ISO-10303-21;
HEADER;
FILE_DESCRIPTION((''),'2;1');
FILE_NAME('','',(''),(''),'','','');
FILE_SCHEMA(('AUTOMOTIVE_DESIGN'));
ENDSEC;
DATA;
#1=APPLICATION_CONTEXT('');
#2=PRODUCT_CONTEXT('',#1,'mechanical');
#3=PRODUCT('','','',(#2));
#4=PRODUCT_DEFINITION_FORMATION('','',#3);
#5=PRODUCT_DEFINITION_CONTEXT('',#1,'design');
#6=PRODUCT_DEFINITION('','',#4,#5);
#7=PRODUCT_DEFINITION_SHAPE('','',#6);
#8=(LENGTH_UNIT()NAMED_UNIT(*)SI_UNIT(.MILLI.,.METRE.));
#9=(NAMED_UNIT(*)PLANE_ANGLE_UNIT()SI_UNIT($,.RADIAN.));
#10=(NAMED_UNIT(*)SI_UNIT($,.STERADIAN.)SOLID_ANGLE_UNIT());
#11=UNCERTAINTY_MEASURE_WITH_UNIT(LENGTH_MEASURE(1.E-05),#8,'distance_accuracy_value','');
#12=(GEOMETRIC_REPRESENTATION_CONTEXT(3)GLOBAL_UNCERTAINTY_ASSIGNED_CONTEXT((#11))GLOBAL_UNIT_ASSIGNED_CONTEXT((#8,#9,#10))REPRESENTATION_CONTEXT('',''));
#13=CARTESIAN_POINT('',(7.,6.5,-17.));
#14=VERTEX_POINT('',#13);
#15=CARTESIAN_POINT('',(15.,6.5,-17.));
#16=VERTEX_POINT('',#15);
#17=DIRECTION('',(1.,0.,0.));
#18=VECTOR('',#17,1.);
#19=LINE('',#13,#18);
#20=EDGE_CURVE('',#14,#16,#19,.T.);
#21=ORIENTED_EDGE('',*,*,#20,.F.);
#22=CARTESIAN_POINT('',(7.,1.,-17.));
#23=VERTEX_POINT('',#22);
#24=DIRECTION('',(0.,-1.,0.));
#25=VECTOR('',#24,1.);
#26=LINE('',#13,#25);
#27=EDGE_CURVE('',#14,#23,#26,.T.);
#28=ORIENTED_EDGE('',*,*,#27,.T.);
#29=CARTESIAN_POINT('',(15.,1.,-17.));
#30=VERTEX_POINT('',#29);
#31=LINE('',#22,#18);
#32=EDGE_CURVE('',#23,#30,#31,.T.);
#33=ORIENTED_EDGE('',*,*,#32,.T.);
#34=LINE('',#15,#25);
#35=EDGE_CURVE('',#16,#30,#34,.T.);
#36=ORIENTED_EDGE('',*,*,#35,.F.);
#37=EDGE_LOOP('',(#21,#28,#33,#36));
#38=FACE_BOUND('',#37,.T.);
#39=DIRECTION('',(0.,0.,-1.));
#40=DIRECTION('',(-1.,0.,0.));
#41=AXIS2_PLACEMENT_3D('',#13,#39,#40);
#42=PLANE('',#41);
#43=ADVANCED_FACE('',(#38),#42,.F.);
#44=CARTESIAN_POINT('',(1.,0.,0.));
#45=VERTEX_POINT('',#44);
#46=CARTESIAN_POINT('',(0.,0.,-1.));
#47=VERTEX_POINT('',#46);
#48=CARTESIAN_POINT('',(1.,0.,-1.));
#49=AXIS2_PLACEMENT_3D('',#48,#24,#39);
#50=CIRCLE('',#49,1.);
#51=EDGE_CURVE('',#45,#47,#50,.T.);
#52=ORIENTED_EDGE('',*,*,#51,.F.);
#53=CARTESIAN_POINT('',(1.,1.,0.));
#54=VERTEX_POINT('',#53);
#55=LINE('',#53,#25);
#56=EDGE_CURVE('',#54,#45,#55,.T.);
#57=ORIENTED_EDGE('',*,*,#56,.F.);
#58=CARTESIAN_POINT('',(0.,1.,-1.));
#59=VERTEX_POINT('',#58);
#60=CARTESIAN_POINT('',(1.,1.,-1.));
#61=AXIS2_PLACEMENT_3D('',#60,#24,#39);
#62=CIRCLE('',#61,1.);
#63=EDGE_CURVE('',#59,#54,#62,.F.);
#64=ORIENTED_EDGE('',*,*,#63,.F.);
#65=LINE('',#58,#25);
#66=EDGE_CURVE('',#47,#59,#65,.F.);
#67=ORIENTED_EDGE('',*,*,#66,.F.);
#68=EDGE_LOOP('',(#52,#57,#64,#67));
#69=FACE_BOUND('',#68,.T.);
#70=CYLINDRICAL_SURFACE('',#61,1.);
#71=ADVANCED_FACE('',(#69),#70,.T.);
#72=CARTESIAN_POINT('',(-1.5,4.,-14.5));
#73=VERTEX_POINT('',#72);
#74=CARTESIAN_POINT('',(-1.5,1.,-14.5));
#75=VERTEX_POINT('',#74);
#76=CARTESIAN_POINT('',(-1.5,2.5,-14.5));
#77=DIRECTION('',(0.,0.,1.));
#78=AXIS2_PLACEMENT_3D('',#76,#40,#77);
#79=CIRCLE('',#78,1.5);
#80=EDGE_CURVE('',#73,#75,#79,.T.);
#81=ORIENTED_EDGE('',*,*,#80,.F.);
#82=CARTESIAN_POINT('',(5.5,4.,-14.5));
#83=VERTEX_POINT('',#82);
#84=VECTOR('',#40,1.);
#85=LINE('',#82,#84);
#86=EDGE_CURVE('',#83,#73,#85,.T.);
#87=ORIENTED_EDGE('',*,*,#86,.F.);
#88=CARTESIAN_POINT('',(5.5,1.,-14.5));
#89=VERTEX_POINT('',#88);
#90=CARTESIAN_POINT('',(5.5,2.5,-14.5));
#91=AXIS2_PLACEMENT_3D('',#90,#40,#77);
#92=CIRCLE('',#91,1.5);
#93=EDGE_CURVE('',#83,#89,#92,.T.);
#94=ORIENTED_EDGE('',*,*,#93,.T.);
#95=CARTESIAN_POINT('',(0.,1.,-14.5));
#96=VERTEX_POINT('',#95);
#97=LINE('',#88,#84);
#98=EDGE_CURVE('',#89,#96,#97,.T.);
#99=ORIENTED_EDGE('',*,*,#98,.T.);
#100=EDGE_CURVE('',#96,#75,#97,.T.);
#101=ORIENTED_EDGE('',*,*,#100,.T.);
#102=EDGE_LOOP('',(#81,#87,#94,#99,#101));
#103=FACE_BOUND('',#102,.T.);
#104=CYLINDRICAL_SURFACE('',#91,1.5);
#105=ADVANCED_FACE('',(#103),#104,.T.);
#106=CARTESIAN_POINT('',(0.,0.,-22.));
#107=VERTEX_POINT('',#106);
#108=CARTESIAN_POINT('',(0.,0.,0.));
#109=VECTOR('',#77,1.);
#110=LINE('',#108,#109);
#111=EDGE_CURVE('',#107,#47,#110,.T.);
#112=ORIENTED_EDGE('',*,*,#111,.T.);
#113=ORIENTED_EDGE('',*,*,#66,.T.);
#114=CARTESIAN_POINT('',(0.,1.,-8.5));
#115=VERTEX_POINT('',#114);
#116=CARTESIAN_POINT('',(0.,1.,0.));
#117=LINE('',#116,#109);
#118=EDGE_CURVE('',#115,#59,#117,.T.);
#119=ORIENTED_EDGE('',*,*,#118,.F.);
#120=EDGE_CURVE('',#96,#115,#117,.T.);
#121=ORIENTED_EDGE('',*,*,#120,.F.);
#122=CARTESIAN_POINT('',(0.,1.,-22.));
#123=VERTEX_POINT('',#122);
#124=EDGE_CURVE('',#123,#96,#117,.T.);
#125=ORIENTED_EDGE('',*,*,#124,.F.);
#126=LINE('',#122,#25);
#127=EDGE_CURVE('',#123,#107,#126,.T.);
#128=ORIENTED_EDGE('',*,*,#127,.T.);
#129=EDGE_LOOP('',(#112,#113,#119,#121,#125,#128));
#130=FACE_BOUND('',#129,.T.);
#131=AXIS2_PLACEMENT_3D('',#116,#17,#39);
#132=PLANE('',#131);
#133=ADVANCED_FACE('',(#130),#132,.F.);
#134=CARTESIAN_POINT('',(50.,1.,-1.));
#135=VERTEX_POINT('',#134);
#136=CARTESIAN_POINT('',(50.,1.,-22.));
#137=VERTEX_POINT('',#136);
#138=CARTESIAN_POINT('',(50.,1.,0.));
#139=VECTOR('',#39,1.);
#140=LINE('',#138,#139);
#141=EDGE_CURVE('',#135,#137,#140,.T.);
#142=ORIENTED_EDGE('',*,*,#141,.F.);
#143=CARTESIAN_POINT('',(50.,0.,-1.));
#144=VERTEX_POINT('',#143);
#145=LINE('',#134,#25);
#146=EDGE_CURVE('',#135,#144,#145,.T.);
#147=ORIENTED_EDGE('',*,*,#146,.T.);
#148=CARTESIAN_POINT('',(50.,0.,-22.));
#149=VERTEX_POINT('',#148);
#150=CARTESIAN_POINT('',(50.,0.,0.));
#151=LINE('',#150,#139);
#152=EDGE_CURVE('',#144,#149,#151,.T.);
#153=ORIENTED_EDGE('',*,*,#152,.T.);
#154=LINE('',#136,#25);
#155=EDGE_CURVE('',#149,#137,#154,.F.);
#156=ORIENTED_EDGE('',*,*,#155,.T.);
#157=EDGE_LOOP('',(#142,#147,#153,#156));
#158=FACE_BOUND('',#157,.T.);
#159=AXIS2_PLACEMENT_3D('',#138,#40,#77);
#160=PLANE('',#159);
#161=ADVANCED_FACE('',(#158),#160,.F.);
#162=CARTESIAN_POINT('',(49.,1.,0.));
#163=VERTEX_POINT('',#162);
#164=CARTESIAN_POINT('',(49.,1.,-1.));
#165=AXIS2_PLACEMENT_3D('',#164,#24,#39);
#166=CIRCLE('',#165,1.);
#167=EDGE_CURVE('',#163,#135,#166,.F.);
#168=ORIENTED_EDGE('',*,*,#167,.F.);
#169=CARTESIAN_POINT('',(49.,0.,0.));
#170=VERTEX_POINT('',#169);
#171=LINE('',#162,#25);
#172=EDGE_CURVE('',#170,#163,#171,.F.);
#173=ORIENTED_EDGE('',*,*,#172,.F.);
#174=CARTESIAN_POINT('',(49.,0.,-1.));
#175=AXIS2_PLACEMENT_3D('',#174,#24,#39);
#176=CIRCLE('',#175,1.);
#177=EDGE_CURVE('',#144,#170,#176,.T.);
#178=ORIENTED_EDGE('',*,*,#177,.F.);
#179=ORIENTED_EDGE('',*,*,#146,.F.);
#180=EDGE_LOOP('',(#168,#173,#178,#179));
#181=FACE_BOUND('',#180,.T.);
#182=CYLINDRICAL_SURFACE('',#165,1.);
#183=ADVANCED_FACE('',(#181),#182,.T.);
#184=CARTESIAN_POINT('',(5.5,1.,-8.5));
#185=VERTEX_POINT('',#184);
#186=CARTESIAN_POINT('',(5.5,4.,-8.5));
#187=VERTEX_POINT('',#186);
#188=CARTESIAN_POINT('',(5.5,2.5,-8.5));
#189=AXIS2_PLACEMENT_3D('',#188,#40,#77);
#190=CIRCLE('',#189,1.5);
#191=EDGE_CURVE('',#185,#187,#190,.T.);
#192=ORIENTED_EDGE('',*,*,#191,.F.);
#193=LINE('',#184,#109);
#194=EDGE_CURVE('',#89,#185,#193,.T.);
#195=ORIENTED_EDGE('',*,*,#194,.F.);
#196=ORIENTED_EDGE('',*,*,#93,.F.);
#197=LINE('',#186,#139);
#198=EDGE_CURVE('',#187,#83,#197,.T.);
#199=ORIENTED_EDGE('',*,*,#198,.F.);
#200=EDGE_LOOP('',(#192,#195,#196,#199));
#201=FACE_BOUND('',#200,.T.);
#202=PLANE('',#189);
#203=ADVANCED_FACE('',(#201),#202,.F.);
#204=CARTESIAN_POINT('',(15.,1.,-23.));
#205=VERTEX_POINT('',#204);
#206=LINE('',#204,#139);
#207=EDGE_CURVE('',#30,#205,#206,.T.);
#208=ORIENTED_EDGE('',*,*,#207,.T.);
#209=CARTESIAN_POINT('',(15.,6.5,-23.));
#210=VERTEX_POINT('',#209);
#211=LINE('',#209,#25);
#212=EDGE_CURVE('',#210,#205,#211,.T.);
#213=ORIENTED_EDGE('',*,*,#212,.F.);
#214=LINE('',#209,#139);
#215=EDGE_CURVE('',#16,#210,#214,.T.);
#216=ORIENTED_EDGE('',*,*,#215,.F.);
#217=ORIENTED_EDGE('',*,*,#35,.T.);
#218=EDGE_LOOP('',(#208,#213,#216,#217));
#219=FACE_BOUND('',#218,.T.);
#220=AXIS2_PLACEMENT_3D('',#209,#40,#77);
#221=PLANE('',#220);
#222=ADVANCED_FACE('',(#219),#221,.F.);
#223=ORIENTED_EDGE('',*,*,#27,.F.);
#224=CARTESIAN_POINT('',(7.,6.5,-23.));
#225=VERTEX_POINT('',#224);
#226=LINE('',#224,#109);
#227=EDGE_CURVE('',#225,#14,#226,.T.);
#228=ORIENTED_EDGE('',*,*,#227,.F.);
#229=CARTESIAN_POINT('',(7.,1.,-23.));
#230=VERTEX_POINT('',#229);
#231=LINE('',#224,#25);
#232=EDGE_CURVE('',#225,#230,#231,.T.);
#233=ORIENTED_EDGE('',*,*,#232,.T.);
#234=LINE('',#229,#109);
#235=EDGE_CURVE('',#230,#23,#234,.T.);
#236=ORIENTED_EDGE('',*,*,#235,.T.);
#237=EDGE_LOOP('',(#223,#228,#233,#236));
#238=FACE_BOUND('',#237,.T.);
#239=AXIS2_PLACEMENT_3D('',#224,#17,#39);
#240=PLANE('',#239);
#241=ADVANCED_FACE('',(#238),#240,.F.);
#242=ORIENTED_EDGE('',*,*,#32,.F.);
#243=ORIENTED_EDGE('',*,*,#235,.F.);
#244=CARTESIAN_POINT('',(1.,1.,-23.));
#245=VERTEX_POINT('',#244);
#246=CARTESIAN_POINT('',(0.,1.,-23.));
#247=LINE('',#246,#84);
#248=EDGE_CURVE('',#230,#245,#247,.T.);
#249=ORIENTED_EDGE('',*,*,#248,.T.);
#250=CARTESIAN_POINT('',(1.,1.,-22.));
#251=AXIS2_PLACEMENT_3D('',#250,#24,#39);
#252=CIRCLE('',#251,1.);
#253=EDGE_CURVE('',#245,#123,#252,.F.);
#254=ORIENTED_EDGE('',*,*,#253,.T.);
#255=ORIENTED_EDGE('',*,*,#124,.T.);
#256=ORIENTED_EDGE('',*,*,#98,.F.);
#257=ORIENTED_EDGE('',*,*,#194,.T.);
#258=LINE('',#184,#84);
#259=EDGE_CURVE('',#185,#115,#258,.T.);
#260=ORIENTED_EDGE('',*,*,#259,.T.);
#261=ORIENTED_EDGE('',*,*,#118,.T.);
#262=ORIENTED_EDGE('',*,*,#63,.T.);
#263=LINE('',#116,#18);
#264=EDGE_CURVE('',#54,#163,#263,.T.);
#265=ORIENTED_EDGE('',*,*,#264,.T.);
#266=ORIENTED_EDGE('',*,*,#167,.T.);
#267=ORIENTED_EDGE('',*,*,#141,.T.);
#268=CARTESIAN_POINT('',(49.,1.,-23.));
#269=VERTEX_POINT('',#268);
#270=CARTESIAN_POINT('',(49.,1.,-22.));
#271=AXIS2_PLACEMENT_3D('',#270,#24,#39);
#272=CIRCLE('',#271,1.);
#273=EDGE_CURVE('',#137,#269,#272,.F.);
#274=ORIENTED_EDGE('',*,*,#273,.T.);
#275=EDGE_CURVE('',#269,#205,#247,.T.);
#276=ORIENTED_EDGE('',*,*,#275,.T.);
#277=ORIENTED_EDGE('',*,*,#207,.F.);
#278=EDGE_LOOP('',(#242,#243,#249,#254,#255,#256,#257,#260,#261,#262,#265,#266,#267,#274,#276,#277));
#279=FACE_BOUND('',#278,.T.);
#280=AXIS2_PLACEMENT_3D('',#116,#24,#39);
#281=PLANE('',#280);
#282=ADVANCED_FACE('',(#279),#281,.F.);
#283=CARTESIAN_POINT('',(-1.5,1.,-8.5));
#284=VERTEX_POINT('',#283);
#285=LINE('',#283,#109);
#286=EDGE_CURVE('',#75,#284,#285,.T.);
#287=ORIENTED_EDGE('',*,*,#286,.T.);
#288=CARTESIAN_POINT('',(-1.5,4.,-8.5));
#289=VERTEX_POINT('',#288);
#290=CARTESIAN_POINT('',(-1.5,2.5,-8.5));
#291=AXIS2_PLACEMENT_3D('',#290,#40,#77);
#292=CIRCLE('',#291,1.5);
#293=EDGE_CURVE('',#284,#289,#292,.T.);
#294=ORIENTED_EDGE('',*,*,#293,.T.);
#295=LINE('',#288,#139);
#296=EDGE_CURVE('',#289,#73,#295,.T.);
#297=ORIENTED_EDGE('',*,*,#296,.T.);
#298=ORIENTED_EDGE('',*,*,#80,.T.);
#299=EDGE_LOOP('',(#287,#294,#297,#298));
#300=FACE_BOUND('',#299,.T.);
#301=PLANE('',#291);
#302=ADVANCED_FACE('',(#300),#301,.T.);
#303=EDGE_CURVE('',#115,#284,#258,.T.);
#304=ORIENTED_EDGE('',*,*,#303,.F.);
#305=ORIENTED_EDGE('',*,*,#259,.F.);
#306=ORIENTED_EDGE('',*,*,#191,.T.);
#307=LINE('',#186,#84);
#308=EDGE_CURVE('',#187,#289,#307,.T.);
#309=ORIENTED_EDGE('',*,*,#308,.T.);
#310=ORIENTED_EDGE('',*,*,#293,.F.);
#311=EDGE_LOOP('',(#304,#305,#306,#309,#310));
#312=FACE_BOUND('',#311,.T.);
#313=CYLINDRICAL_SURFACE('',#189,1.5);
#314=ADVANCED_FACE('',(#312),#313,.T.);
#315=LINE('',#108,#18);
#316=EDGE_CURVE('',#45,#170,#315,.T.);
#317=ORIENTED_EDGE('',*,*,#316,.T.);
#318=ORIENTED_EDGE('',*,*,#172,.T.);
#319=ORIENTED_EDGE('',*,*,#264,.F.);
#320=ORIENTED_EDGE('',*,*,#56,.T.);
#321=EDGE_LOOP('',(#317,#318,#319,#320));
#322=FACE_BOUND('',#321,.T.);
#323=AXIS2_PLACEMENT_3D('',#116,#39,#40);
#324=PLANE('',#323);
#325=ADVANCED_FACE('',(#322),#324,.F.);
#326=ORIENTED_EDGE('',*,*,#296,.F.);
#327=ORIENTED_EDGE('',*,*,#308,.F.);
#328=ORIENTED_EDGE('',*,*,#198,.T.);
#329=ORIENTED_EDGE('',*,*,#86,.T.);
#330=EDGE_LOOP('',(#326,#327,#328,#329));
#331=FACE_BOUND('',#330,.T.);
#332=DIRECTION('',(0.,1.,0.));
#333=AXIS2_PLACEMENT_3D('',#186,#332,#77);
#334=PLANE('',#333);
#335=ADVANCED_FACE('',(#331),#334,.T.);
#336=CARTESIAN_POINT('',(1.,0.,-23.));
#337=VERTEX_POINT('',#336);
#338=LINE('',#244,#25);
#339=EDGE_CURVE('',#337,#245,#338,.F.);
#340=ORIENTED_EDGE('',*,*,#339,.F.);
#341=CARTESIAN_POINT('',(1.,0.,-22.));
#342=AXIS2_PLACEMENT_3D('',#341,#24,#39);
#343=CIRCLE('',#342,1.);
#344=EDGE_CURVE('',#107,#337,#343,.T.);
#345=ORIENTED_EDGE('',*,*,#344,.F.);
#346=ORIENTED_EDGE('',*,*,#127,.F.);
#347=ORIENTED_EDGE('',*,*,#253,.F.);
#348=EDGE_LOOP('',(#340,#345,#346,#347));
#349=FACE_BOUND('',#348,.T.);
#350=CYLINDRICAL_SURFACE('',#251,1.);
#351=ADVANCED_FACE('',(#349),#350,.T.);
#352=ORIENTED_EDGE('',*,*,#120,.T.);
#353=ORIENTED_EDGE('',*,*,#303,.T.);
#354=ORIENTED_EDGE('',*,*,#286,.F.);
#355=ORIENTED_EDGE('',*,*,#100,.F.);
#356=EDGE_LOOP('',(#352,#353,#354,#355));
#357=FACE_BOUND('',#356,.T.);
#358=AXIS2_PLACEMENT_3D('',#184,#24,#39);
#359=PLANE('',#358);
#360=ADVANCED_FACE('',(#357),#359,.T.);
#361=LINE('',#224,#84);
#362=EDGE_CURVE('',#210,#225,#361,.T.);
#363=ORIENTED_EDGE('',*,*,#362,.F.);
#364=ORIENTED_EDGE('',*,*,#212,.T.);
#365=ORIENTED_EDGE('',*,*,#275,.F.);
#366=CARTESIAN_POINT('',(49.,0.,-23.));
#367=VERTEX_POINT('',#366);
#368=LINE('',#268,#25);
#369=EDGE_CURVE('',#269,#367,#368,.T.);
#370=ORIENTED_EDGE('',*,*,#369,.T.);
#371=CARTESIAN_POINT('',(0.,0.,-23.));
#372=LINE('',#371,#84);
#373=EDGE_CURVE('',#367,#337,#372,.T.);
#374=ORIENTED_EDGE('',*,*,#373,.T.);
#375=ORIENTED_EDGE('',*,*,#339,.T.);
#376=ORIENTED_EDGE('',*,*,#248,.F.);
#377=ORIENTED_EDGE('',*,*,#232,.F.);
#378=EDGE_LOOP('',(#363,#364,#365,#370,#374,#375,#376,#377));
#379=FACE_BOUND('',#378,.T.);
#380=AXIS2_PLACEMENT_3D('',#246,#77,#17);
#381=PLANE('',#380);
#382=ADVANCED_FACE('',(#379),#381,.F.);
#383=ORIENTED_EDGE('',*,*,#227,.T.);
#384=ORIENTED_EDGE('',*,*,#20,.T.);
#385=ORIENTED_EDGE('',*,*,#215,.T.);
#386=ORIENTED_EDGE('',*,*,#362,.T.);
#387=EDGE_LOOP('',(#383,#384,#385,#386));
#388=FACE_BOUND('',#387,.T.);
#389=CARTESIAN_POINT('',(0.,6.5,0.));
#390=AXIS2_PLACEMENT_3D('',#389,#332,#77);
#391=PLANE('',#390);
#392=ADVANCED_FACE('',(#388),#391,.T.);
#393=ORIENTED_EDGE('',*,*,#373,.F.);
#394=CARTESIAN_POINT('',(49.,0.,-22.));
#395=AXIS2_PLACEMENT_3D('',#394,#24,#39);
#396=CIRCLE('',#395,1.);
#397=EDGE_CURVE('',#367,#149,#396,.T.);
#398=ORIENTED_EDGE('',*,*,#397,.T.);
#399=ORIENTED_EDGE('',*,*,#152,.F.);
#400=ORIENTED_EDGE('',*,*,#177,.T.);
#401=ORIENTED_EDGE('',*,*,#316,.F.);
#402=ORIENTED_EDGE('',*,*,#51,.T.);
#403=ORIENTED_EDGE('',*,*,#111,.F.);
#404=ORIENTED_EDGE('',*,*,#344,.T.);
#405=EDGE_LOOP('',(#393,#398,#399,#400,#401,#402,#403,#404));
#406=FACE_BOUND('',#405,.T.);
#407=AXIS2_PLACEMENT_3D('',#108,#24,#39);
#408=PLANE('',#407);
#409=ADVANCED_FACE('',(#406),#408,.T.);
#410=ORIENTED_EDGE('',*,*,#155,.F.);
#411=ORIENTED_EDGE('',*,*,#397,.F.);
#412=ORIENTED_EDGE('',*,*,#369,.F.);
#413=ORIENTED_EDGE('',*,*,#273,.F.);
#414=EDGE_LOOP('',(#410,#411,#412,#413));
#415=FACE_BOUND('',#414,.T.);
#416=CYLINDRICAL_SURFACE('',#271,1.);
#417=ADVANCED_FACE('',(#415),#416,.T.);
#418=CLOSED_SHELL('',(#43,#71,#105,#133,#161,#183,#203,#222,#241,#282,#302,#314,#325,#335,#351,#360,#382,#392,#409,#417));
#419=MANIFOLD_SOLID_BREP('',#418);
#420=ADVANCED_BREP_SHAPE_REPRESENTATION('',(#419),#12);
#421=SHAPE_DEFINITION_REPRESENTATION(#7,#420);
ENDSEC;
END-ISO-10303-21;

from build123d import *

# Parameters (mm, degrees)
SKETCH1_W                = 50
SKETCH1_H                = 23
BOSS_EXTRUDE1_DEPTH      = 1
FILLET1_R                = 1
BOSS_EXTRUDE2_DEPTH      = 1.5
BOSS_EXTRUDE2_DEPTH_BACK = 5.5
SKETCH3_W                = 8
SKETCH3_H                = 6
BOSS_EXTRUDE3_DEPTH      = 5.5


with BuildPart() as part:
    # Sketch1 → Boss-Extrude1 (new body)
    with BuildSketch(Plane(origin=(0, 0, 0), x_dir=(1, 0, 0), z_dir=(0, 1, 0))):
        with Locations((25, 11.5)):
            Rectangle(SKETCH1_W, SKETCH1_H)
    extrude(amount=BOSS_EXTRUDE1_DEPTH)

    # Fillet1
    fillet1_edges = [part.edges().sort_by_distance(p)[0] for p in [
        (0, 0.5, -23),
        (50, 0.5, -23),
        (50, 0.5, 0),
        (0, 0.5, 0),
    ]]
    fillet(fillet1_edges, radius=FILLET1_R)

    # Sketch2 → Boss-Extrude2 (add, two sides: drawn at the far end of the back side and taken through both)
    with BuildSketch(Plane.ZY.offset(-BOSS_EXTRUDE2_DEPTH_BACK)):
        with BuildLine():
            Line((-8.5, 1), (-14.5, 1))
            ThreePointArc((-14.5, 1), (-16, 2.5), (-14.5, 4))
            Line((-14.5, 4), (-8.5, 4))
            ThreePointArc((-8.5, 4), (-7, 2.5), (-8.5, 1))
        make_face()
    extrude(amount=BOSS_EXTRUDE2_DEPTH + BOSS_EXTRUDE2_DEPTH_BACK)

    # Sketch3 → Boss-Extrude3 (add)
    with BuildSketch(Plane(origin=(0, 1, 0), x_dir=(1, 0, 0), z_dir=(0, 1, 0))):
        with Locations((11, 20)):
            Rectangle(SKETCH3_W, SKETCH3_H)
    extrude(amount=BOSS_EXTRUDE3_DEPTH)


solid = part.part
